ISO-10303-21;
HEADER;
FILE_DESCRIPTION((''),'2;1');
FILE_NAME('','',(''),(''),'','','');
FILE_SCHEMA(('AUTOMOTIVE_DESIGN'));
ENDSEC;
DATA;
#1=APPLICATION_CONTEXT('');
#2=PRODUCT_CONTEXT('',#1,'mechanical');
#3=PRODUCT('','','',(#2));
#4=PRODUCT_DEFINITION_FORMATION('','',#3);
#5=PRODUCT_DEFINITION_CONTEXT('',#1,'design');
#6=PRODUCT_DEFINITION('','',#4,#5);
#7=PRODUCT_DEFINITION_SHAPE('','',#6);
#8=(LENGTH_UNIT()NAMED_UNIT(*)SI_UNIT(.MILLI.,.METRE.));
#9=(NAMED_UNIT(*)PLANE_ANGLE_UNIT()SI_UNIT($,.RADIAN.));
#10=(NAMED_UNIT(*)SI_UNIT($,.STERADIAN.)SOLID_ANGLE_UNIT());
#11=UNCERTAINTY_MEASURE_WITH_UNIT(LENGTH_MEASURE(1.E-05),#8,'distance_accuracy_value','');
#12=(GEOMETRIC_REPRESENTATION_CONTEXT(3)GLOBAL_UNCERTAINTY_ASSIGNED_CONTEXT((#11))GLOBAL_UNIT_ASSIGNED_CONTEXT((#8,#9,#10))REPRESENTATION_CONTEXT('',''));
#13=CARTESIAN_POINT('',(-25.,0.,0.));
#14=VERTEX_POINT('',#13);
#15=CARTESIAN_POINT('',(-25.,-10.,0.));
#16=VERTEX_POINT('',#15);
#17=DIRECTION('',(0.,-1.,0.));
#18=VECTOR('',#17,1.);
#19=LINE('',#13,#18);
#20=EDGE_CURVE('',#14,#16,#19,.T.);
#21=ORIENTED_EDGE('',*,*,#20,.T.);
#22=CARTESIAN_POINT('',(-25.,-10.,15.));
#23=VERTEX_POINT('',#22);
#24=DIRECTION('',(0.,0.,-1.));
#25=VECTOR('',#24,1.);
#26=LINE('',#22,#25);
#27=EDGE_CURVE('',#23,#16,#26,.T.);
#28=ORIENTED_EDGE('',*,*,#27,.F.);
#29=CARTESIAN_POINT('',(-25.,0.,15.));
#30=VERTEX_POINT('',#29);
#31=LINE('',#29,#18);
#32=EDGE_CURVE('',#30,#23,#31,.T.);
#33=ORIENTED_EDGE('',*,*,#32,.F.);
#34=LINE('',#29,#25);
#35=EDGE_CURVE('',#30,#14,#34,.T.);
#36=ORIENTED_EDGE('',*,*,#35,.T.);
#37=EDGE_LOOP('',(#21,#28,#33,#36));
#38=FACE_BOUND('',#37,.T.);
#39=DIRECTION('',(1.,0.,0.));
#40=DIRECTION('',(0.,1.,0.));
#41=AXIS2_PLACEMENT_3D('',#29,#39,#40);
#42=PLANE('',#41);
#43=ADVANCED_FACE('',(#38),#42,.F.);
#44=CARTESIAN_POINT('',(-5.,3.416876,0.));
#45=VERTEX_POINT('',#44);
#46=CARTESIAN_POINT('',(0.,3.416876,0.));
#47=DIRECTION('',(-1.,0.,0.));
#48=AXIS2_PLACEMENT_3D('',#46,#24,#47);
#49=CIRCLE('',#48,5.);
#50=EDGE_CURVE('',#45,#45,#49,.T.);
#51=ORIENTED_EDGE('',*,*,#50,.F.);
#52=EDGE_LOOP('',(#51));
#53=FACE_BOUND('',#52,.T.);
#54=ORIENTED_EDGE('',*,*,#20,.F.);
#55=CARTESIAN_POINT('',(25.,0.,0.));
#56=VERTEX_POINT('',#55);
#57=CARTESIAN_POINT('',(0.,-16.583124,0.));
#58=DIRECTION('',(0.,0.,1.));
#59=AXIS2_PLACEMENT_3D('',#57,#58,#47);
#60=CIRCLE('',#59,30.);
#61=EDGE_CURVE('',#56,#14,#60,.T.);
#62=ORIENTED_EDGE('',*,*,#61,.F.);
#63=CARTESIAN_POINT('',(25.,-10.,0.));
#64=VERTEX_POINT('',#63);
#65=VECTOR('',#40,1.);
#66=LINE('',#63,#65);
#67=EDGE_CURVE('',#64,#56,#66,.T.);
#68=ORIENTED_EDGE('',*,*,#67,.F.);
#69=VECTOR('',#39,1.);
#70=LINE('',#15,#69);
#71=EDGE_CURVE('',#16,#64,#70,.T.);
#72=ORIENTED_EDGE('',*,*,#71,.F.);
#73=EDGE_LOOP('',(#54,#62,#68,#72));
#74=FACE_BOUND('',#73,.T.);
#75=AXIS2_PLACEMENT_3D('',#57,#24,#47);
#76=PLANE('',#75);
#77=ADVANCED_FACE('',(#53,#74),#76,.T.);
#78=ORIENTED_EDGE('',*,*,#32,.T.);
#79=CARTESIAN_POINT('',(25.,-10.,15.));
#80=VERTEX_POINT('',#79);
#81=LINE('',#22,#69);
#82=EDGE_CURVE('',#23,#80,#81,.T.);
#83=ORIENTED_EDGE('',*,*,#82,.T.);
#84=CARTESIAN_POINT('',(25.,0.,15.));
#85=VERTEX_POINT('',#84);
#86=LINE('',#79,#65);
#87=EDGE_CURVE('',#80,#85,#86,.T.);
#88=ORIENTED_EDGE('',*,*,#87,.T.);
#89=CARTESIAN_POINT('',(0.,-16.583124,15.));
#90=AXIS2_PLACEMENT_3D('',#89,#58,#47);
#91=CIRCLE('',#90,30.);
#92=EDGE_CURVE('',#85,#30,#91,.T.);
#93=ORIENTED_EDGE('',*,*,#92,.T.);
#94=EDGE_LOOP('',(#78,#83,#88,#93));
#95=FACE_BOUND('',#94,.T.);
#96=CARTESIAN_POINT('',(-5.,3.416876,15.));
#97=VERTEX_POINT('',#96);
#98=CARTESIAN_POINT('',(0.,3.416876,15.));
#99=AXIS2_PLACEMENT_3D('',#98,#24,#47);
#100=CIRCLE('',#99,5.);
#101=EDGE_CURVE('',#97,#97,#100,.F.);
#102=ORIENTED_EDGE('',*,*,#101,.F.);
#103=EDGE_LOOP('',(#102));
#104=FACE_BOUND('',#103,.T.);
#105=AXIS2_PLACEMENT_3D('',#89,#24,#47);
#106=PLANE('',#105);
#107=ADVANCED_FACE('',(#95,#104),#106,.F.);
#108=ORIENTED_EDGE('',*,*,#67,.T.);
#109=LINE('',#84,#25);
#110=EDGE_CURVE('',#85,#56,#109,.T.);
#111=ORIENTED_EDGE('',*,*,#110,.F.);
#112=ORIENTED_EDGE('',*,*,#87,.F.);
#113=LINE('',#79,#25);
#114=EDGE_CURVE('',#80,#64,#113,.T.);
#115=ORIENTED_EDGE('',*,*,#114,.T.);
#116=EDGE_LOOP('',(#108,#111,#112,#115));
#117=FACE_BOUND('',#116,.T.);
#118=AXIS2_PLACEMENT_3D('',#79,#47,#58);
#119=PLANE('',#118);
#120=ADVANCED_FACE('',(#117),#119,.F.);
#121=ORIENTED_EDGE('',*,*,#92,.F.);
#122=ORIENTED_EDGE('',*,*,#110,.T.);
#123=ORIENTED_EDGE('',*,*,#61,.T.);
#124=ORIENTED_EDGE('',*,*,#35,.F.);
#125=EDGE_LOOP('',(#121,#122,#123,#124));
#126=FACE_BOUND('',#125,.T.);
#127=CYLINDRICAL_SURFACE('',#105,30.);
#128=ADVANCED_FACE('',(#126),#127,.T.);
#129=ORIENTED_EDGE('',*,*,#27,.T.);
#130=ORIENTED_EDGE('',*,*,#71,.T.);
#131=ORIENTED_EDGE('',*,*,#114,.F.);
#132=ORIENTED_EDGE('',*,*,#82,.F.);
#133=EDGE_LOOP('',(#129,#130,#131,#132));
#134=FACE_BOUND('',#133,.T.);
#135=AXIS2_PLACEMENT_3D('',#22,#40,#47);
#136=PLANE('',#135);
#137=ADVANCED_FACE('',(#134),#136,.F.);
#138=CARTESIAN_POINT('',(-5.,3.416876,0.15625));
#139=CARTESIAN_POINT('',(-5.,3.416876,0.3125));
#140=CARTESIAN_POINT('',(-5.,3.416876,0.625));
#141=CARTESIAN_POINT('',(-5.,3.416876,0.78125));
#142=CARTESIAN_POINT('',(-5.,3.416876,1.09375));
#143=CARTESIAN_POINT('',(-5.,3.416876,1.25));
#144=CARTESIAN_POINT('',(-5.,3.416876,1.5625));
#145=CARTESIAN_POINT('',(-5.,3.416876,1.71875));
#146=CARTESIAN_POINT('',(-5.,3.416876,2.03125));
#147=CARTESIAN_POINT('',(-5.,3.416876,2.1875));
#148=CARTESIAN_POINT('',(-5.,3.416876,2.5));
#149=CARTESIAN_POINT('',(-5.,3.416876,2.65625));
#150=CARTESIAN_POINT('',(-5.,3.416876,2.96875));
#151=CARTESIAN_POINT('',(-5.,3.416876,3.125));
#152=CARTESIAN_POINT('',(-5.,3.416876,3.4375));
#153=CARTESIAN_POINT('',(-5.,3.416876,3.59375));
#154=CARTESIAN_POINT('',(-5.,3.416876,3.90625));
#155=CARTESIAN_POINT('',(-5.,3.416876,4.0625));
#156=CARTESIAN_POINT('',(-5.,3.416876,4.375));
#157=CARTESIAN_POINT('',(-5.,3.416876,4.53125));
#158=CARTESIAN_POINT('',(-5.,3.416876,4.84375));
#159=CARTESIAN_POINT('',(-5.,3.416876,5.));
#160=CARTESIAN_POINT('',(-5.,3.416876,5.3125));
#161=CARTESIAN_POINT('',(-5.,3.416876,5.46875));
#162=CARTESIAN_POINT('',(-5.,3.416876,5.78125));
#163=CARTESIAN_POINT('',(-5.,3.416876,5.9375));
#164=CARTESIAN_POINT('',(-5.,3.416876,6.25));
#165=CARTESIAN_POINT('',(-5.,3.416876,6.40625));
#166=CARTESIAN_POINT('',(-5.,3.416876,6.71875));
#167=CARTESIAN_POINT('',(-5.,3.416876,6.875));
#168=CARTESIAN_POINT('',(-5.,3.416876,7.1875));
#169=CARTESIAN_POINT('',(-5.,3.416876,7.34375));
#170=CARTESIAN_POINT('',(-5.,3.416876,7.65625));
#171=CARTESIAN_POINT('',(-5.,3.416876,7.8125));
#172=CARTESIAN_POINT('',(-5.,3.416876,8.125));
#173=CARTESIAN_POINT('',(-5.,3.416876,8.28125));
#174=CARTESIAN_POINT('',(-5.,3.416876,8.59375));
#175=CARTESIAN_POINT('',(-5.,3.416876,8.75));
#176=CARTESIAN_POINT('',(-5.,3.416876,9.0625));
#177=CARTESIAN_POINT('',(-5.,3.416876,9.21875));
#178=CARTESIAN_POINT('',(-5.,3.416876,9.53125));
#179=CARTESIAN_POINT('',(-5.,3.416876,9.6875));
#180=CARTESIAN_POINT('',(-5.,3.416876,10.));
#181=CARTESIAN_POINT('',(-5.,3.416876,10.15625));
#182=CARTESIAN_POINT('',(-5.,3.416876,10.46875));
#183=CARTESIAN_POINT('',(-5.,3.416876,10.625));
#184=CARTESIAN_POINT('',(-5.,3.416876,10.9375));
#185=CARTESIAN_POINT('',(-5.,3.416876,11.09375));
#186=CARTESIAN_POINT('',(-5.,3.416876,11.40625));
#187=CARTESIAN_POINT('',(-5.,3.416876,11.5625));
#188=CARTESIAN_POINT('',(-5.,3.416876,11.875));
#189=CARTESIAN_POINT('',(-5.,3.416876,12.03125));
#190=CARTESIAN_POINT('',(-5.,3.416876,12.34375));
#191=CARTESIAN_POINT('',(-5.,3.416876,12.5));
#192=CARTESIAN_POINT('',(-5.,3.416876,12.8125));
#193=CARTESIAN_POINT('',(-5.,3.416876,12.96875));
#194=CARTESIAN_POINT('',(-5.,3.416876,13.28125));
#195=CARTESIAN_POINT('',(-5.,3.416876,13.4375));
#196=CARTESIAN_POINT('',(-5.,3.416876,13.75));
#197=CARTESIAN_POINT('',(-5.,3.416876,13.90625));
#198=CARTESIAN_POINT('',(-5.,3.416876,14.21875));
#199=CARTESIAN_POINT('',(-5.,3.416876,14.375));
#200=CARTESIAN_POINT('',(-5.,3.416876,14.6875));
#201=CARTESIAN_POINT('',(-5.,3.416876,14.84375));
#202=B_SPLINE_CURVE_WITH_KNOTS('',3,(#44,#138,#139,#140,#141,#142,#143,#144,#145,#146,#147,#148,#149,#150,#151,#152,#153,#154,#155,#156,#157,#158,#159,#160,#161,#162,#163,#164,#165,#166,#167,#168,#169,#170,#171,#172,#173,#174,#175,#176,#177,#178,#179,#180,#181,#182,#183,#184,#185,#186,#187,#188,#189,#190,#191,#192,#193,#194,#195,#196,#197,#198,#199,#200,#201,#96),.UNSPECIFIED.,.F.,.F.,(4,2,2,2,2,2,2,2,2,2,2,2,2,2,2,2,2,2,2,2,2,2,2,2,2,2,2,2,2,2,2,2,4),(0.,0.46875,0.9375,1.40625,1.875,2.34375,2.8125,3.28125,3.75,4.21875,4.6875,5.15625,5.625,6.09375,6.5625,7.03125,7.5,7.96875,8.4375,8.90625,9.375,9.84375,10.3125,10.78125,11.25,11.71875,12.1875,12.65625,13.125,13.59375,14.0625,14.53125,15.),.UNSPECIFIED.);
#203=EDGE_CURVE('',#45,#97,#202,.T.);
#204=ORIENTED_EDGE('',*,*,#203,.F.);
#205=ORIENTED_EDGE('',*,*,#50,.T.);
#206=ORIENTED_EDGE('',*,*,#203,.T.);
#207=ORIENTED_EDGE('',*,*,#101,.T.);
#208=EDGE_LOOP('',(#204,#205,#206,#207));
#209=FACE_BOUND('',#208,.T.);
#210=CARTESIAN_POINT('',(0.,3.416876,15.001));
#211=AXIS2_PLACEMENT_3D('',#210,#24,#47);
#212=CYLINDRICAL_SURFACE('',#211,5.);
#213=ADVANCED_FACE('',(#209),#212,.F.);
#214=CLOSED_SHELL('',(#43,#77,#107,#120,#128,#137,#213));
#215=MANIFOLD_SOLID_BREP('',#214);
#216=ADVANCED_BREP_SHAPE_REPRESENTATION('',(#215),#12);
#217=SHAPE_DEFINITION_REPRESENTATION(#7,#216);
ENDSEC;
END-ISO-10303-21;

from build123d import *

# Parameters (mm, degrees)
BOSS_EXTRUDE1_DEPTH = 15
CUT_EXTRUDE1_REACH  = 34.094
SKETCH2_R           = 5


with BuildPart() as part:
    # Sketch1 → Boss-Extrude1 (new body)
    with BuildSketch(Plane.XY):
        with BuildLine():
            Line((-25, 0), (-25, -10))
            Line((-25, -10), (25, -10))
            Line((25, -10), (25, 0))
            ThreePointArc((25, 0), (0, 13.416876048), (-25, 0))
        make_face()
    extrude(amount=BOSS_EXTRUDE1_DEPTH)

    # Sketch2 → Cut-Extrude1 (cut, up to next)
    with BuildSketch(Plane(origin=(0, 0, 0), x_dir=(-1, 0, 0), z_dir=(0, 0, -1)), mode=Mode.PRIVATE) as cut_extrude1_sk1:
        with Locations((0, 3.416876048)):
            Circle(SKETCH2_R)
    cut_extrude1_tool1 = extrude(cut_extrude1_sk1.sketch, amount=-CUT_EXTRUDE1_REACH, mode=Mode.PRIVATE) & part.part
    add(cut_extrude1_tool1.solids().sort_by_distance((0, 3.416876, 0))[0], mode=Mode.SUBTRACT)


solid = part.part
